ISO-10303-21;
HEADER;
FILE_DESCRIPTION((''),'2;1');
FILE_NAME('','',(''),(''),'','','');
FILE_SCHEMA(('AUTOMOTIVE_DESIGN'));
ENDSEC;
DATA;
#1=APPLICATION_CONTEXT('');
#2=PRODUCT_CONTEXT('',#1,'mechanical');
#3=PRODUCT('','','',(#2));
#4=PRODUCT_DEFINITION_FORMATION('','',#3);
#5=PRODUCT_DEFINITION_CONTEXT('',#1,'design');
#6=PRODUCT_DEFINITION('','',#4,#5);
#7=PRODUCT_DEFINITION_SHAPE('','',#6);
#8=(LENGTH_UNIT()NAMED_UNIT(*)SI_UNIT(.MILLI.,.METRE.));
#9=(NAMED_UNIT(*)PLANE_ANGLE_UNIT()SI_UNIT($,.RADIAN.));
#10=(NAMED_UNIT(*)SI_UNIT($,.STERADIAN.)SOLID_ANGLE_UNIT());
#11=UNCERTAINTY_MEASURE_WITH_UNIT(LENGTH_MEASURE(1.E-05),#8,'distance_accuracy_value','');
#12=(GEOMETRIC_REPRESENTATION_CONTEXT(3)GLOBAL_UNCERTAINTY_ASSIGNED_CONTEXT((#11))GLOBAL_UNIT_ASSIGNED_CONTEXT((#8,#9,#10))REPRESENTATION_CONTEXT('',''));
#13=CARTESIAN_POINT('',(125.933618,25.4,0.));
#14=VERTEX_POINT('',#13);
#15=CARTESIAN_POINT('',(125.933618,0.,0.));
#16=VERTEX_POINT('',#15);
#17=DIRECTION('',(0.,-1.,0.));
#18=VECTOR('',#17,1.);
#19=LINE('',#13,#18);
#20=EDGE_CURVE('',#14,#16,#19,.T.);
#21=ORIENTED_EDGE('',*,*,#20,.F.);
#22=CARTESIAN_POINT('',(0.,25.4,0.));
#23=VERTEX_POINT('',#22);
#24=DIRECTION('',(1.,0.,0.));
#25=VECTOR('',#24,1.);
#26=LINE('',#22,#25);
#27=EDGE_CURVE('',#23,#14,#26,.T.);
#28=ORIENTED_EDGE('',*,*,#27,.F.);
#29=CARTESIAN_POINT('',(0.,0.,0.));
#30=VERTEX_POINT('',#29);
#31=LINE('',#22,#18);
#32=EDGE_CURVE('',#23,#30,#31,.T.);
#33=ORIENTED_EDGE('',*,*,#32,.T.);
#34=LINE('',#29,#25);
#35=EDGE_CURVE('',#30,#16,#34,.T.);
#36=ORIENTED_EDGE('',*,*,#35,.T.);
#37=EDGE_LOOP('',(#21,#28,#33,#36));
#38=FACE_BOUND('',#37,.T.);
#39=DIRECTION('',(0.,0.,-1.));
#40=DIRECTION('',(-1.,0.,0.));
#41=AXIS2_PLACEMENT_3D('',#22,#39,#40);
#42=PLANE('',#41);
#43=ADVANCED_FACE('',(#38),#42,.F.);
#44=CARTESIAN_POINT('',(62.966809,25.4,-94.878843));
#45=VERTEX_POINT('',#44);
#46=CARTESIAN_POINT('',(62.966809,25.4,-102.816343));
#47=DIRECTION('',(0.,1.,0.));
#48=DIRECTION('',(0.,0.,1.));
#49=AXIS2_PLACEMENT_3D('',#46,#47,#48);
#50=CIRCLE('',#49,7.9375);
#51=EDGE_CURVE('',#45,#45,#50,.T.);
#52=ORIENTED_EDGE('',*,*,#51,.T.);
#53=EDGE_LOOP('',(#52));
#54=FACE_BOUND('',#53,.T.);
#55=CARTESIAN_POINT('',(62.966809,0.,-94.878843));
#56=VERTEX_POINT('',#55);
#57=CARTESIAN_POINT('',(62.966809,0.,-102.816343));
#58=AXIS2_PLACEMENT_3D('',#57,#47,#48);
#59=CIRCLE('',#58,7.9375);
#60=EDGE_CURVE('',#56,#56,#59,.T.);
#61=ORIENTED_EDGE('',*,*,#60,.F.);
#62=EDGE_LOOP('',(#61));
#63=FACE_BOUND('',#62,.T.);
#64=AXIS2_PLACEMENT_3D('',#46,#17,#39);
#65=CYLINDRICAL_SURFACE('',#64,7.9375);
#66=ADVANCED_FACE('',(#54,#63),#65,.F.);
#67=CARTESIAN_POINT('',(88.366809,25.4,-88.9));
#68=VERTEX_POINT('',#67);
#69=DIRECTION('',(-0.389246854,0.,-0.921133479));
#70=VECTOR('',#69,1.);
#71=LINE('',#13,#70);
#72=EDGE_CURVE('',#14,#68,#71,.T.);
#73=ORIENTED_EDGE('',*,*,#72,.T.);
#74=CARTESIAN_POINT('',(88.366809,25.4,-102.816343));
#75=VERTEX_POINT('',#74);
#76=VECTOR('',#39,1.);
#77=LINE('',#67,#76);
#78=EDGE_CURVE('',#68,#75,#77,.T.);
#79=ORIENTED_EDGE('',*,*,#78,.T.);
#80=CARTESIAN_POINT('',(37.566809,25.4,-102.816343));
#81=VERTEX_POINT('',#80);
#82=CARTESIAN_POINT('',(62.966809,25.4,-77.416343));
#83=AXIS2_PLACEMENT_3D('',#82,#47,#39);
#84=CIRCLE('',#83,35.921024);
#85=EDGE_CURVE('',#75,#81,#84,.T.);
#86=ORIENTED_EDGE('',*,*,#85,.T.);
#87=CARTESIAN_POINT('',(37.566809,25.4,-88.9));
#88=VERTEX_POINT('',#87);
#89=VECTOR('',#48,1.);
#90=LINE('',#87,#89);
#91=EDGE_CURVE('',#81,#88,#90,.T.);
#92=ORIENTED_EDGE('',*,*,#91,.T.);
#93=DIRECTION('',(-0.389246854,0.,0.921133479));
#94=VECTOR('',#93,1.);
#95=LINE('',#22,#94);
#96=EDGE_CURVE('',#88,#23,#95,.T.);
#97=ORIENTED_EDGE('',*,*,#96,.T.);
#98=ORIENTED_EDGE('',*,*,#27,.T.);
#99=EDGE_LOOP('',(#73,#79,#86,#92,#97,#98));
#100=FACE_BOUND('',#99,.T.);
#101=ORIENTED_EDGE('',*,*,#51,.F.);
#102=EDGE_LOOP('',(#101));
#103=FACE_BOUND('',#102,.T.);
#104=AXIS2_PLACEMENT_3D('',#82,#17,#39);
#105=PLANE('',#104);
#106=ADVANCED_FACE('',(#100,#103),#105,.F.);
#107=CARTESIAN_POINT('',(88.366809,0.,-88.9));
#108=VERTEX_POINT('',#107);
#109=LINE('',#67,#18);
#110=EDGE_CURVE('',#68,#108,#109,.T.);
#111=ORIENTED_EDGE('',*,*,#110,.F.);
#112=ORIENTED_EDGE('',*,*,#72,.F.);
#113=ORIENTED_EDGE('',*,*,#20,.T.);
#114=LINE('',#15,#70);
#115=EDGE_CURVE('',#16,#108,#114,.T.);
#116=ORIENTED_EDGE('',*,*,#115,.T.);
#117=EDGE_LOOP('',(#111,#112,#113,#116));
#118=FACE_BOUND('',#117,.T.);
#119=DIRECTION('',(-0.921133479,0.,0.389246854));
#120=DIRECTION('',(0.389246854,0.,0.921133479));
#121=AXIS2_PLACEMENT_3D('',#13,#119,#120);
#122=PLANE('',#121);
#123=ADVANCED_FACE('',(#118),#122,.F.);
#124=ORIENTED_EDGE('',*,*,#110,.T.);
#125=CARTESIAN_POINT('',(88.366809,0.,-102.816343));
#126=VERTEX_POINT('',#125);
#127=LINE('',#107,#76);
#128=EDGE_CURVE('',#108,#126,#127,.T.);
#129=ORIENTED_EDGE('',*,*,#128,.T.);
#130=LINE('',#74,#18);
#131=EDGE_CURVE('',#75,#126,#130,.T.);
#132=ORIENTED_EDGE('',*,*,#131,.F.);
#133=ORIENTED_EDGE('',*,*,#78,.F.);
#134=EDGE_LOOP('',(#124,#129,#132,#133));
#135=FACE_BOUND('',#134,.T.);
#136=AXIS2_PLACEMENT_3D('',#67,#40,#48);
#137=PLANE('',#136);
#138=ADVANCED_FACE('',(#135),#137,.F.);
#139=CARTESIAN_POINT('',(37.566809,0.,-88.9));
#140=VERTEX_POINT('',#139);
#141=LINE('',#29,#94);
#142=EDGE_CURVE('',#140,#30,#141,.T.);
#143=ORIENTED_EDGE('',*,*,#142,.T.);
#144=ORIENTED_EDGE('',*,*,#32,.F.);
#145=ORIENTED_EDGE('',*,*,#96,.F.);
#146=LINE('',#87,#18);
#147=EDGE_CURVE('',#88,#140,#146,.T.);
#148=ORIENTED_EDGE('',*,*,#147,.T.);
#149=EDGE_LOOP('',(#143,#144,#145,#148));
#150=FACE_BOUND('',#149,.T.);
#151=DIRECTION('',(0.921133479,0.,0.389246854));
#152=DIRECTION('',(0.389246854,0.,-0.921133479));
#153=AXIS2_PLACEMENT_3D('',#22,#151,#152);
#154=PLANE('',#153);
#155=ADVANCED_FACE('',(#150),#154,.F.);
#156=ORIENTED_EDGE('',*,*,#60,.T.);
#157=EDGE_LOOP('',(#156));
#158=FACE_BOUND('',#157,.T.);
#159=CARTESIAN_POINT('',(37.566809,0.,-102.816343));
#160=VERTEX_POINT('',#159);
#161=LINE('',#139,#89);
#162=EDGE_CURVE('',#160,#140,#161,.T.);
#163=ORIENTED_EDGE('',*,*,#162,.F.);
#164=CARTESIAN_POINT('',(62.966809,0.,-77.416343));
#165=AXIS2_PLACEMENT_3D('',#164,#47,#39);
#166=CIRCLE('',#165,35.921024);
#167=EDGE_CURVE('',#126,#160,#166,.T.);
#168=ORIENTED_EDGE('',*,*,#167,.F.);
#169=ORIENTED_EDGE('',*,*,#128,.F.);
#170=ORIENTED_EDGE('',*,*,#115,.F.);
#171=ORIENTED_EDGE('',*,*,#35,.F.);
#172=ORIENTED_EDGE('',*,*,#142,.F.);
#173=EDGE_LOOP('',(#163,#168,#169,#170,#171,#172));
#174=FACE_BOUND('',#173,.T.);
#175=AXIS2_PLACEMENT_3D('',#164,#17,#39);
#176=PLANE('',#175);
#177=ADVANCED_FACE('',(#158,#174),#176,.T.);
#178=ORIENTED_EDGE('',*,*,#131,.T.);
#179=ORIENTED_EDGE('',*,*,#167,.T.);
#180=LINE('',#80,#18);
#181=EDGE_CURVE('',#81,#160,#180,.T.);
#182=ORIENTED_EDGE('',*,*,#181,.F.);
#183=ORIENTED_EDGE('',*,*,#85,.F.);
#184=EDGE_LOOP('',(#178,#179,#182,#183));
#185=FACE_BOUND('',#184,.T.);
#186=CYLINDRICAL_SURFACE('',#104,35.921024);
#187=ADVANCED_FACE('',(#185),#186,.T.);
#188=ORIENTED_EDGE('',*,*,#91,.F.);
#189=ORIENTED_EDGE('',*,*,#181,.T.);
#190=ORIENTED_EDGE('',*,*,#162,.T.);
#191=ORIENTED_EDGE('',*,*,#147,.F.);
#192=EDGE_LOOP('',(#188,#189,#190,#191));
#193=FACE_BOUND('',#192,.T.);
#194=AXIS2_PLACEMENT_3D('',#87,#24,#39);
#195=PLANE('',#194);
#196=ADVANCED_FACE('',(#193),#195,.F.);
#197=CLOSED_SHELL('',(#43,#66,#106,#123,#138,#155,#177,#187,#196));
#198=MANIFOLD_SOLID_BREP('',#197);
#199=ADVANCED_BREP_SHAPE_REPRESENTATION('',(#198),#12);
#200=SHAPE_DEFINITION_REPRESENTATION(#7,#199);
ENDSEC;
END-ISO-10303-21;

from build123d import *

# Parameters (mm, degrees)
SKETCH1_R           = 7.9375
BOSS_EXTRUDE1_DEPTH = 25.4


with BuildPart() as part:
    # Sketch1 → Boss-Extrude1 (new body)
    with BuildSketch(Plane(origin=(0, 0, 0), x_dir=(1, 0, 0), z_dir=(0, 1, 0))):
        with BuildLine():
            Line((0, 0), (125.933617728, 0))
            Line((125.933617728, 0), (88.366808864, 88.9))
            Line((88.366808864, 88.9), (88.366808864, 102.81634275))
            ThreePointArc((88.366808864, 102.81634275), (62.966808864, 113.337367234), (37.566808864, 102.81634275))
            Line((37.566808864, 102.81634275), (37.566808864, 88.9))
            Line((37.566808864, 88.9), (0, 0))
        make_face()
        with Locations(Location((62.966808864, 102.81634275, 0), (0, 0, 270))):
            Circle(SKETCH1_R, mode=Mode.SUBTRACT)
    extrude(amount=BOSS_EXTRUDE1_DEPTH)


solid = part.part
